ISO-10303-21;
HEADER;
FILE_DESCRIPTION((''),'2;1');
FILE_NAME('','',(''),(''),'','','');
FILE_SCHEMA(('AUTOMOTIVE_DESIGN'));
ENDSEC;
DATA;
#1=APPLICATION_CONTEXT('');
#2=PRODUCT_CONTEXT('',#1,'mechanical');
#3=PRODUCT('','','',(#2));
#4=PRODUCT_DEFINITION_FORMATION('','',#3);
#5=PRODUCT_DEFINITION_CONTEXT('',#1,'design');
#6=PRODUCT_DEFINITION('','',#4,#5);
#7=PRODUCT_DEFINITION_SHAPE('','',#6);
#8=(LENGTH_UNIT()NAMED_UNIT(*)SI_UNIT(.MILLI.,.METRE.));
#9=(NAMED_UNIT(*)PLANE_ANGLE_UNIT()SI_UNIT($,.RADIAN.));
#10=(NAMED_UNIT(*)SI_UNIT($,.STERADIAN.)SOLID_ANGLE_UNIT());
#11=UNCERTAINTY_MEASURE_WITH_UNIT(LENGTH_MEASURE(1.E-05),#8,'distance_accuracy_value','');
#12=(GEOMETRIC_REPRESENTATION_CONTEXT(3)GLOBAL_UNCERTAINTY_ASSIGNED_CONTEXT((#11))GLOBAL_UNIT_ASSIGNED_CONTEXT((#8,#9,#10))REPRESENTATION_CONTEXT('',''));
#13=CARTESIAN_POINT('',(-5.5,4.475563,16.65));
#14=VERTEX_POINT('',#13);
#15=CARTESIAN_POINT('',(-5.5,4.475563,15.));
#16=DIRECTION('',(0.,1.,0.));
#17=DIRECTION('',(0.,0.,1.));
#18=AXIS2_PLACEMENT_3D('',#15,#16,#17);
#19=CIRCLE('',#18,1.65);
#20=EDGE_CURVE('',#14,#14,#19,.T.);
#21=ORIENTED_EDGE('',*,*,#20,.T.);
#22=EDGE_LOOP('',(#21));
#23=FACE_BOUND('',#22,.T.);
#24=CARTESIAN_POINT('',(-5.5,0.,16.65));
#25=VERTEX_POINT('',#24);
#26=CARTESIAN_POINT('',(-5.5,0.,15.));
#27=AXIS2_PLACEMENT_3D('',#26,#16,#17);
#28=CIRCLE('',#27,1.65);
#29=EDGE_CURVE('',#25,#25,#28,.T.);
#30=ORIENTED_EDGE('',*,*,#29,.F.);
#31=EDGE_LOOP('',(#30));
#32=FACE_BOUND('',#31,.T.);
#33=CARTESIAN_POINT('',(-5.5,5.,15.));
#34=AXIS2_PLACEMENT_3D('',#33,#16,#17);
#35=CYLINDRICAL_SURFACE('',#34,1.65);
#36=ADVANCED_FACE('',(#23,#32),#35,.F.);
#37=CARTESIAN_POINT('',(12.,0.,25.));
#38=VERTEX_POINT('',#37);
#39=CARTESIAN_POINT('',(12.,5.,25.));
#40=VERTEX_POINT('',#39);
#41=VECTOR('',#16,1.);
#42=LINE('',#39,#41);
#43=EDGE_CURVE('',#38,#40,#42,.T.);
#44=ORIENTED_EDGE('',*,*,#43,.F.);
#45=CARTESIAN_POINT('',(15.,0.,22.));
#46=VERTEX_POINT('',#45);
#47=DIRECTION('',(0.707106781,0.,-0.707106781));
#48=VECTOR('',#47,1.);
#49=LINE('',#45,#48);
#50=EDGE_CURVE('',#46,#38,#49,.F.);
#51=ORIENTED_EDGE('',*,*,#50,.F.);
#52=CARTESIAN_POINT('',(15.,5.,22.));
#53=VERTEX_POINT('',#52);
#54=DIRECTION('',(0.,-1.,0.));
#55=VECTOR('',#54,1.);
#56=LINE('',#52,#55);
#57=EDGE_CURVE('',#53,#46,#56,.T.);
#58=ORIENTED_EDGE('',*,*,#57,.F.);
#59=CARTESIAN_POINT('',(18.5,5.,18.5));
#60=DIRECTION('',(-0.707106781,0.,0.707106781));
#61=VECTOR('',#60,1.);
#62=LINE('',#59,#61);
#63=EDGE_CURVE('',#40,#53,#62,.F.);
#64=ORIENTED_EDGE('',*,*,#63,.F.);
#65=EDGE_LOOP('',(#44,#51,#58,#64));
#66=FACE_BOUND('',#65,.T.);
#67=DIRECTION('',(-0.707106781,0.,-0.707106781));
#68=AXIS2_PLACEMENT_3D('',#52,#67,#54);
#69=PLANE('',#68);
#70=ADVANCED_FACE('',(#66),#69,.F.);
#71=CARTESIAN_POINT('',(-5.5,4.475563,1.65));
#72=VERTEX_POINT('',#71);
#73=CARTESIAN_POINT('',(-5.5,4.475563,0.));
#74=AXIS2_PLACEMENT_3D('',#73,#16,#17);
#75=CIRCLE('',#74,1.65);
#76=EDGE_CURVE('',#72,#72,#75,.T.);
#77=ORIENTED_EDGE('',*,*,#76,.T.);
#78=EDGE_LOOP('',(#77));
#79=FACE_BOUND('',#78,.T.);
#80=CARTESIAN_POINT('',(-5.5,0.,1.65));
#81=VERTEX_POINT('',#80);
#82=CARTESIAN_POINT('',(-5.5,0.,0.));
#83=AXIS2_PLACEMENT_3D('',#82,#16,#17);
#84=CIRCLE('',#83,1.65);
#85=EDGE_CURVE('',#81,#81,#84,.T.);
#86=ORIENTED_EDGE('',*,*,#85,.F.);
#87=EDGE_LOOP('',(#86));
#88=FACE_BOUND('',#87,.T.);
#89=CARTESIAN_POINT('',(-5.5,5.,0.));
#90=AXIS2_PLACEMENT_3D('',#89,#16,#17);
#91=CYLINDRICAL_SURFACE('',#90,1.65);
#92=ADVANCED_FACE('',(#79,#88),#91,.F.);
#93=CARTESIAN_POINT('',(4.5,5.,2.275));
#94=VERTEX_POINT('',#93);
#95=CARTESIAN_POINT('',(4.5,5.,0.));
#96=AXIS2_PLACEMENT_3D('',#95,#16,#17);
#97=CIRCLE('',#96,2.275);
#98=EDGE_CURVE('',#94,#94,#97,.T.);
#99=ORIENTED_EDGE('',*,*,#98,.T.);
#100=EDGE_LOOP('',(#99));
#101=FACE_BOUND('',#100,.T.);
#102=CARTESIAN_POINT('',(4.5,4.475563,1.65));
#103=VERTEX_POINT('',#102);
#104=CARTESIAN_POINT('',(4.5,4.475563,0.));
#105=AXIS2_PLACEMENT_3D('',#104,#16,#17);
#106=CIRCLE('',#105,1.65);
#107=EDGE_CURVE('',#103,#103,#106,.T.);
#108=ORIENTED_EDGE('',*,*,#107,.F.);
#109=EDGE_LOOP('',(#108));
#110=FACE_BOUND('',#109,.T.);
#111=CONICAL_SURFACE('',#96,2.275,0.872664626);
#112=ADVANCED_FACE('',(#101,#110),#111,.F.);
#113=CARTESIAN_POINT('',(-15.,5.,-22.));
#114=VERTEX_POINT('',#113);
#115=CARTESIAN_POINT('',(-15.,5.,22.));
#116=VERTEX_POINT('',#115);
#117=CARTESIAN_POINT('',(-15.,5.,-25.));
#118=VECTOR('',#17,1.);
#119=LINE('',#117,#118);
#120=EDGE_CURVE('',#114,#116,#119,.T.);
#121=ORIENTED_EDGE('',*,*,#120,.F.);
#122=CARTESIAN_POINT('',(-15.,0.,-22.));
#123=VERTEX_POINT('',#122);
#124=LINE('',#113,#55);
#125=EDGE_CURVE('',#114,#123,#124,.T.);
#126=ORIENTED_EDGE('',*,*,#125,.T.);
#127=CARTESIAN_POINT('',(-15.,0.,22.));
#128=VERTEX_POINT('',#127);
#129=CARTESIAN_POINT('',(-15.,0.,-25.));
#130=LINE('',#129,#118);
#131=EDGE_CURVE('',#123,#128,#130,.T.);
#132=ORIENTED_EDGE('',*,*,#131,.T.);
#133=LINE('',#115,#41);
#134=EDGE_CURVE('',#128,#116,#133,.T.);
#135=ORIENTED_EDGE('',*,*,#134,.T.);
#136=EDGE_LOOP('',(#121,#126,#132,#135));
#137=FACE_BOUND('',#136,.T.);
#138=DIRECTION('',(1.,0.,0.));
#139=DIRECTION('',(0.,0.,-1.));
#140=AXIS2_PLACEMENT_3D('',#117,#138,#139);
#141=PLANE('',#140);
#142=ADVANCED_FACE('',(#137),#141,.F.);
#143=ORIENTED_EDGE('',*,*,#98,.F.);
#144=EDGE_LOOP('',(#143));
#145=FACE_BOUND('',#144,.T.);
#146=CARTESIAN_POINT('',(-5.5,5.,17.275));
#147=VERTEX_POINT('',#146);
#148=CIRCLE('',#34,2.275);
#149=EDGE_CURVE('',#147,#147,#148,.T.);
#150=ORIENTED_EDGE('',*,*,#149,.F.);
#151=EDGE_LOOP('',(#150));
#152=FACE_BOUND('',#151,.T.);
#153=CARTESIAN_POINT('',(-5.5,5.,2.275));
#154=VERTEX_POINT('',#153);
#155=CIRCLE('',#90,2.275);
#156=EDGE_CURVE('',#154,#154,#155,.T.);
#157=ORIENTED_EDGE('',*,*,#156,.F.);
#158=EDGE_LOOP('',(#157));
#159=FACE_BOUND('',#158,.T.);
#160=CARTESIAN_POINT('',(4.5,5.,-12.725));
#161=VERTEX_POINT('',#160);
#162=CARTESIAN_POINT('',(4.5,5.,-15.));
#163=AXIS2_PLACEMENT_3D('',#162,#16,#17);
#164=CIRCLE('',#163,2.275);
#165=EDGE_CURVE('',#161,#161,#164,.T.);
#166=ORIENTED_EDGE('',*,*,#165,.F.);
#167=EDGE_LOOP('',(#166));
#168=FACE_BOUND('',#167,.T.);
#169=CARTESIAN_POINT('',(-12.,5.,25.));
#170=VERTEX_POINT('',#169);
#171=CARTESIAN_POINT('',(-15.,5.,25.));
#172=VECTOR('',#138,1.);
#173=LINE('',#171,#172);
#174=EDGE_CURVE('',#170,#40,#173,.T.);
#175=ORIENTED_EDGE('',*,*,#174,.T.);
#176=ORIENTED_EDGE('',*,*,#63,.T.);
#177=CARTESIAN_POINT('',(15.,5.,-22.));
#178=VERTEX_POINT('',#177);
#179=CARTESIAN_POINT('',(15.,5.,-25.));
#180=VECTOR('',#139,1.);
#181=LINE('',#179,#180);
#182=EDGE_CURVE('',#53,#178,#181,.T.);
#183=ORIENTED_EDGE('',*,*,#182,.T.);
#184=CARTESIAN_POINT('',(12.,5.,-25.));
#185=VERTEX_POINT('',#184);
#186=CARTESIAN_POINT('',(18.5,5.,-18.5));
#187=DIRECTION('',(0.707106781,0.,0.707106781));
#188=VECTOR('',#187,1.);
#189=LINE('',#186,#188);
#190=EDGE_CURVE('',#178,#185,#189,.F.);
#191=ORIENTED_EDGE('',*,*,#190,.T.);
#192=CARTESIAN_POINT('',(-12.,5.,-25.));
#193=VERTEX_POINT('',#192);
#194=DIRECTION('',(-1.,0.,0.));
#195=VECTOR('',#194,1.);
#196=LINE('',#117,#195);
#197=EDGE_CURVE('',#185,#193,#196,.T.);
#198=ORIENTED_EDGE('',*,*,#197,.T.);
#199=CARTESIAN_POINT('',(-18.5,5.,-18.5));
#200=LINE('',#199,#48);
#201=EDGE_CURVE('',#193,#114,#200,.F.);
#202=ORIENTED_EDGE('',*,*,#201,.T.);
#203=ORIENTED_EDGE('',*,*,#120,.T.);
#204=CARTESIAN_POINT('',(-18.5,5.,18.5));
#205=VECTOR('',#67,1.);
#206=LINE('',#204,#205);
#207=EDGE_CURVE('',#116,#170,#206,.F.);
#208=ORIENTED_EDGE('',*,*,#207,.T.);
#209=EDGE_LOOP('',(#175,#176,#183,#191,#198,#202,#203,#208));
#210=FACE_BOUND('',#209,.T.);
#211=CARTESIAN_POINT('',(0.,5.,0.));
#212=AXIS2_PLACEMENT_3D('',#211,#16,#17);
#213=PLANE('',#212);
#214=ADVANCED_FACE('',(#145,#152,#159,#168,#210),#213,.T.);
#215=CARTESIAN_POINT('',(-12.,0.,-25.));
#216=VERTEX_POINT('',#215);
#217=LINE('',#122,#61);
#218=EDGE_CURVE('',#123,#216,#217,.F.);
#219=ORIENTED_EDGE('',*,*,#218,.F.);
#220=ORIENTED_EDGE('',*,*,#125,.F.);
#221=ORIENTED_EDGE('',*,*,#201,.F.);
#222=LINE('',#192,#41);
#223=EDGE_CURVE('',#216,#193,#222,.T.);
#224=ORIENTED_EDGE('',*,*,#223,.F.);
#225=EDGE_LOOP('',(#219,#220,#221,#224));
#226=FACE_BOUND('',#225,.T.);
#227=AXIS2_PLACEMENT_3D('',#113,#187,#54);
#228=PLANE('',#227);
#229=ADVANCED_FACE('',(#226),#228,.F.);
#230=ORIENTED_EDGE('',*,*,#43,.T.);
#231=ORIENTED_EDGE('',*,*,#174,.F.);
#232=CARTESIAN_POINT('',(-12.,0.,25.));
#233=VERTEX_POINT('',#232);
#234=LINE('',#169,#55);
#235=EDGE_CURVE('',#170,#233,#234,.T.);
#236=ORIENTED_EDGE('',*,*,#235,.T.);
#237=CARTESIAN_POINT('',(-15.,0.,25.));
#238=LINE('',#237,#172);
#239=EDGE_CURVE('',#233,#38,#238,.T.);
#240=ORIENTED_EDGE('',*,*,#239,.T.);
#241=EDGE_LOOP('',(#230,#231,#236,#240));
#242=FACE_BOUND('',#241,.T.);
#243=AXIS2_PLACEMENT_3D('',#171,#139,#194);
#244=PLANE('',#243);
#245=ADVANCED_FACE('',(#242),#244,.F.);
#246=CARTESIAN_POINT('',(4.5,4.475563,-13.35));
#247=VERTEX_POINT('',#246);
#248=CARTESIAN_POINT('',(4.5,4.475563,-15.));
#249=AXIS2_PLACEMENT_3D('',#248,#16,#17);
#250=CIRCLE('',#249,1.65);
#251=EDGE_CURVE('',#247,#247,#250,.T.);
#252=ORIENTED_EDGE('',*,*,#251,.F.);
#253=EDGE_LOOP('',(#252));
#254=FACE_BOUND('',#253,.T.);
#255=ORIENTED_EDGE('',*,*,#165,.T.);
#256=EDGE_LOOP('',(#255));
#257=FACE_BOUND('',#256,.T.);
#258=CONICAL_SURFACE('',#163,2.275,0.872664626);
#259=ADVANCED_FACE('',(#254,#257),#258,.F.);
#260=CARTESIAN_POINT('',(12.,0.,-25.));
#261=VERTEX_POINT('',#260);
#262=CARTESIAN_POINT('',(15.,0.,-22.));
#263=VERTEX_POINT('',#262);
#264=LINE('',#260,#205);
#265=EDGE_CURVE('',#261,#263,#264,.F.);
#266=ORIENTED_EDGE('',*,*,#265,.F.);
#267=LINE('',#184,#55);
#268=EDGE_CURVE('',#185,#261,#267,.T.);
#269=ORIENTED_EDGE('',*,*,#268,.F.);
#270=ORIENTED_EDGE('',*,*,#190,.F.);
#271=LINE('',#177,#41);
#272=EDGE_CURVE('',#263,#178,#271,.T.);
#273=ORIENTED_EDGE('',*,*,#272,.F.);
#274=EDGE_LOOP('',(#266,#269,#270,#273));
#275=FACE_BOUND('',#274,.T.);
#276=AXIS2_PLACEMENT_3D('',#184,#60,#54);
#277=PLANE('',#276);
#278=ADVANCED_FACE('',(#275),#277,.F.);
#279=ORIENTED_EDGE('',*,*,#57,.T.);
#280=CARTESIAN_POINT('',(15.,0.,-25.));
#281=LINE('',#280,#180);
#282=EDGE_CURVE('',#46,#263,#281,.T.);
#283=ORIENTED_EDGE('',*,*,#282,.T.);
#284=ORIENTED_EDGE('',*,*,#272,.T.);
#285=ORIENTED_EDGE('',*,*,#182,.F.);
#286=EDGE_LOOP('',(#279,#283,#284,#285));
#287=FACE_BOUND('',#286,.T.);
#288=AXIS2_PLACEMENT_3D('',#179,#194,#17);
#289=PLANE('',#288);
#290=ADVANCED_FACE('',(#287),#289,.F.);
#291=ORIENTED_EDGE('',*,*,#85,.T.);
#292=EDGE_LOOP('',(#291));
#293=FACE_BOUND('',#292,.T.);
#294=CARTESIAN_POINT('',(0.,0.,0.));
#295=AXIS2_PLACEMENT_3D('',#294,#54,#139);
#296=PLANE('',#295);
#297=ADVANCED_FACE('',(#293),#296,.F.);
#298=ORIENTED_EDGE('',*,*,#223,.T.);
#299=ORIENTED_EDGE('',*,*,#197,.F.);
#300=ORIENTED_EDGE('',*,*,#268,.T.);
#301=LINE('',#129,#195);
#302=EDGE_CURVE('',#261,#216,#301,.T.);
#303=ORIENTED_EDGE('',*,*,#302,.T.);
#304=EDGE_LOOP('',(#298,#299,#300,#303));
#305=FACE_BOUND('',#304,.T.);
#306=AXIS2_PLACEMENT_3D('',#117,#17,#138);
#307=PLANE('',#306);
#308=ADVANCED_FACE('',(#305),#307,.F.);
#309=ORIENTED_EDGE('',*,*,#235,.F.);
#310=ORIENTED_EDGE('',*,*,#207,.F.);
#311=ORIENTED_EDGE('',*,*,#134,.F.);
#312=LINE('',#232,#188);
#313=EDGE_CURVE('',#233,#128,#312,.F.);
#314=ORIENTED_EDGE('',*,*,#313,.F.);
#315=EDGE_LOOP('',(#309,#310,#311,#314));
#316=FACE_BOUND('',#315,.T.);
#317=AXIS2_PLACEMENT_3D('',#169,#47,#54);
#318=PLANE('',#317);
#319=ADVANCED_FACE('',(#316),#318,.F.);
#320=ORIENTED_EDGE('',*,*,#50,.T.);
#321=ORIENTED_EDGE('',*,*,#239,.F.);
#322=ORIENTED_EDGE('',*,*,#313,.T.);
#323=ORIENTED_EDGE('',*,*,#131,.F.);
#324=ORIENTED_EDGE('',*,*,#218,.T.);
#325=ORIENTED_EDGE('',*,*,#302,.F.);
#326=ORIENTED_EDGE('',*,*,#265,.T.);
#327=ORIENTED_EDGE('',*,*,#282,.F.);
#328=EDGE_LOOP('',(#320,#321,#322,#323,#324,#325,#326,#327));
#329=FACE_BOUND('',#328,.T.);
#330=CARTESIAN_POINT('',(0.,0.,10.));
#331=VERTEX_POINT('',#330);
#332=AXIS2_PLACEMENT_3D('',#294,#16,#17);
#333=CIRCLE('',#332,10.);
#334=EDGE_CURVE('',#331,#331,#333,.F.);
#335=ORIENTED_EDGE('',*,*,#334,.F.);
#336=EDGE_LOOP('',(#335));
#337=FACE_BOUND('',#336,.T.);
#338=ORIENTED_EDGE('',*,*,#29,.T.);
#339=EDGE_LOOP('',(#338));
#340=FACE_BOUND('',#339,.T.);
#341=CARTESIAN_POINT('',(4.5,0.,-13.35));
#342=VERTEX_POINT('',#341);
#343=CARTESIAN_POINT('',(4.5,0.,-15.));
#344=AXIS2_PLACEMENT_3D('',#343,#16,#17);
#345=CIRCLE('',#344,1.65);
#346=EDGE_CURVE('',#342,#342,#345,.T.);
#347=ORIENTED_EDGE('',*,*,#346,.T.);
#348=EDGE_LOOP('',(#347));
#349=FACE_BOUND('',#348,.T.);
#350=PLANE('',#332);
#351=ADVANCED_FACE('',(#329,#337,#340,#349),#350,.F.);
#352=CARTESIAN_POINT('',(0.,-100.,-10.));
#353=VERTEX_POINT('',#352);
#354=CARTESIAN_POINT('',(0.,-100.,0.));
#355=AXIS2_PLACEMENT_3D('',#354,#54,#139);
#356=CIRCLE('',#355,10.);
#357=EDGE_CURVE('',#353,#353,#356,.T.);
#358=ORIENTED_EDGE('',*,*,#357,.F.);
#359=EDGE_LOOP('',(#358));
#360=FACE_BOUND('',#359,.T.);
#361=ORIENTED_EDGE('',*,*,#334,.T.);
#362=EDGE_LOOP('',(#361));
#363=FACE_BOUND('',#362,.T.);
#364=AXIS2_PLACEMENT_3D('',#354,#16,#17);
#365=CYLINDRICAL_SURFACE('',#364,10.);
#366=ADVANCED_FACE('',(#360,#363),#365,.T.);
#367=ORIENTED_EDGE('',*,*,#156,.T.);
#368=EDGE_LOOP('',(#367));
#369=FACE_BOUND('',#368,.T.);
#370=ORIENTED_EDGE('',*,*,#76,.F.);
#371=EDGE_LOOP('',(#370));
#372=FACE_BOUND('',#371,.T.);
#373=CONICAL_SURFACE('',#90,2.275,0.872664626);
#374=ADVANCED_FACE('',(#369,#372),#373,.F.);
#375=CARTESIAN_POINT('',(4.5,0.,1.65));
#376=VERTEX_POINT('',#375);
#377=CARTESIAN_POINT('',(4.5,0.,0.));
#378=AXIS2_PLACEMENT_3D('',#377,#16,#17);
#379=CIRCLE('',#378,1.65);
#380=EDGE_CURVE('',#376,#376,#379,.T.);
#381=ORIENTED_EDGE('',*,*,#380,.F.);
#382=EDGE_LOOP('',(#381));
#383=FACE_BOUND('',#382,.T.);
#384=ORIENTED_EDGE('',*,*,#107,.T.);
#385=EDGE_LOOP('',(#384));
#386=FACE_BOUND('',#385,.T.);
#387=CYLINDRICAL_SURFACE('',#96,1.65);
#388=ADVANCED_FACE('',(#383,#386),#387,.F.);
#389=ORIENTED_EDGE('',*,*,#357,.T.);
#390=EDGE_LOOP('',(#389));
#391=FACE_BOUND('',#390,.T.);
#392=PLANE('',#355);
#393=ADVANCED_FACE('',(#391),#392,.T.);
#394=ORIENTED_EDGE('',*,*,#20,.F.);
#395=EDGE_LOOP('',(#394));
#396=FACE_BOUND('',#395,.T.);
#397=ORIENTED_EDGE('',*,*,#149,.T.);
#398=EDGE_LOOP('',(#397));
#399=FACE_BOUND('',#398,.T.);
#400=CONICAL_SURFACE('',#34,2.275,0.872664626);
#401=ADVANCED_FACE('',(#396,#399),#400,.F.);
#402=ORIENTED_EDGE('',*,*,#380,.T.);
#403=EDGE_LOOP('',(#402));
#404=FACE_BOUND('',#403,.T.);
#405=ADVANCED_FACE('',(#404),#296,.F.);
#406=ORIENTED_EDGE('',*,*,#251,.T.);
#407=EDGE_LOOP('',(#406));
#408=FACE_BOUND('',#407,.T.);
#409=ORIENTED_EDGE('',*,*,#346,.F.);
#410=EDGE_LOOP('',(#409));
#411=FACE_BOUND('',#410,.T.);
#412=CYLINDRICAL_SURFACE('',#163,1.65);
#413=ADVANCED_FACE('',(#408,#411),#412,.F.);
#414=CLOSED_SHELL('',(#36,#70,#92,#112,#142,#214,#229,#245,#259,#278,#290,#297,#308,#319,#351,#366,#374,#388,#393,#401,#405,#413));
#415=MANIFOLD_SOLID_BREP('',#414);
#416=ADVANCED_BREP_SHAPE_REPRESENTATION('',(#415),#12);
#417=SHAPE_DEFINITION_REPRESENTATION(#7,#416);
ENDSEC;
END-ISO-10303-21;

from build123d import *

# Parameters (mm, degrees)
SKETCH1_W                       = 30
SKETCH1_H                       = 50
BOSS_EXTRUDE1_DEPTH             = 5
M4X0_7_TAPPED_HOLE1_D           = 3.3
M4X0_7_TAPPED_HOLE1_CSINK_D     = 4.55
M4X0_7_TAPPED_HOLE1_CSINK_ANGLE = 100
SKETCH4_R                       = 10
BOSS_EXTRUDE2_DEPTH             = 100
CHAMFER1_SIZE                   = 3


with BuildPart() as part:
    # Sketch1 → Boss-Extrude1 (new body)
    with BuildSketch(Plane(origin=(0, 0, 0), x_dir=(1, 0, 0), z_dir=(0, 1, 0))):
        Rectangle(SKETCH1_W, SKETCH1_H)
    extrude(amount=BOSS_EXTRUDE1_DEPTH)

    # M4x0.7 Tapped Hole1 (through all)
    with Locations(Plane(origin=(0, 5, 0), x_dir=(1, 0, 0), z_dir=(0, 1, 0))):
        with Locations((-5.5, -15), (-5.5, 0), (4.5, 0), (4.5, 15)):
            CounterSinkHole(M4X0_7_TAPPED_HOLE1_D / 2, M4X0_7_TAPPED_HOLE1_CSINK_D / 2, counter_sink_angle=M4X0_7_TAPPED_HOLE1_CSINK_ANGLE)

    # Sketch4 → Boss-Extrude2 (add)
    with BuildSketch(Plane.XZ):
        with Locations(Location((0, 0, 0), (0, 0, 90))):
            Circle(SKETCH4_R)
    extrude(amount=BOSS_EXTRUDE2_DEPTH)

    # Chamfer1
    chamfer1_edges = [part.edges().sort_by_distance(p)[0] for p in [
        (15, 2.5, 25),
        (-15, 2.5, 25),
        (-15, 2.5, -25),
        (15, 2.5, -25),
    ]]
    chamfer(chamfer1_edges, length=CHAMFER1_SIZE)


solid = part.part
